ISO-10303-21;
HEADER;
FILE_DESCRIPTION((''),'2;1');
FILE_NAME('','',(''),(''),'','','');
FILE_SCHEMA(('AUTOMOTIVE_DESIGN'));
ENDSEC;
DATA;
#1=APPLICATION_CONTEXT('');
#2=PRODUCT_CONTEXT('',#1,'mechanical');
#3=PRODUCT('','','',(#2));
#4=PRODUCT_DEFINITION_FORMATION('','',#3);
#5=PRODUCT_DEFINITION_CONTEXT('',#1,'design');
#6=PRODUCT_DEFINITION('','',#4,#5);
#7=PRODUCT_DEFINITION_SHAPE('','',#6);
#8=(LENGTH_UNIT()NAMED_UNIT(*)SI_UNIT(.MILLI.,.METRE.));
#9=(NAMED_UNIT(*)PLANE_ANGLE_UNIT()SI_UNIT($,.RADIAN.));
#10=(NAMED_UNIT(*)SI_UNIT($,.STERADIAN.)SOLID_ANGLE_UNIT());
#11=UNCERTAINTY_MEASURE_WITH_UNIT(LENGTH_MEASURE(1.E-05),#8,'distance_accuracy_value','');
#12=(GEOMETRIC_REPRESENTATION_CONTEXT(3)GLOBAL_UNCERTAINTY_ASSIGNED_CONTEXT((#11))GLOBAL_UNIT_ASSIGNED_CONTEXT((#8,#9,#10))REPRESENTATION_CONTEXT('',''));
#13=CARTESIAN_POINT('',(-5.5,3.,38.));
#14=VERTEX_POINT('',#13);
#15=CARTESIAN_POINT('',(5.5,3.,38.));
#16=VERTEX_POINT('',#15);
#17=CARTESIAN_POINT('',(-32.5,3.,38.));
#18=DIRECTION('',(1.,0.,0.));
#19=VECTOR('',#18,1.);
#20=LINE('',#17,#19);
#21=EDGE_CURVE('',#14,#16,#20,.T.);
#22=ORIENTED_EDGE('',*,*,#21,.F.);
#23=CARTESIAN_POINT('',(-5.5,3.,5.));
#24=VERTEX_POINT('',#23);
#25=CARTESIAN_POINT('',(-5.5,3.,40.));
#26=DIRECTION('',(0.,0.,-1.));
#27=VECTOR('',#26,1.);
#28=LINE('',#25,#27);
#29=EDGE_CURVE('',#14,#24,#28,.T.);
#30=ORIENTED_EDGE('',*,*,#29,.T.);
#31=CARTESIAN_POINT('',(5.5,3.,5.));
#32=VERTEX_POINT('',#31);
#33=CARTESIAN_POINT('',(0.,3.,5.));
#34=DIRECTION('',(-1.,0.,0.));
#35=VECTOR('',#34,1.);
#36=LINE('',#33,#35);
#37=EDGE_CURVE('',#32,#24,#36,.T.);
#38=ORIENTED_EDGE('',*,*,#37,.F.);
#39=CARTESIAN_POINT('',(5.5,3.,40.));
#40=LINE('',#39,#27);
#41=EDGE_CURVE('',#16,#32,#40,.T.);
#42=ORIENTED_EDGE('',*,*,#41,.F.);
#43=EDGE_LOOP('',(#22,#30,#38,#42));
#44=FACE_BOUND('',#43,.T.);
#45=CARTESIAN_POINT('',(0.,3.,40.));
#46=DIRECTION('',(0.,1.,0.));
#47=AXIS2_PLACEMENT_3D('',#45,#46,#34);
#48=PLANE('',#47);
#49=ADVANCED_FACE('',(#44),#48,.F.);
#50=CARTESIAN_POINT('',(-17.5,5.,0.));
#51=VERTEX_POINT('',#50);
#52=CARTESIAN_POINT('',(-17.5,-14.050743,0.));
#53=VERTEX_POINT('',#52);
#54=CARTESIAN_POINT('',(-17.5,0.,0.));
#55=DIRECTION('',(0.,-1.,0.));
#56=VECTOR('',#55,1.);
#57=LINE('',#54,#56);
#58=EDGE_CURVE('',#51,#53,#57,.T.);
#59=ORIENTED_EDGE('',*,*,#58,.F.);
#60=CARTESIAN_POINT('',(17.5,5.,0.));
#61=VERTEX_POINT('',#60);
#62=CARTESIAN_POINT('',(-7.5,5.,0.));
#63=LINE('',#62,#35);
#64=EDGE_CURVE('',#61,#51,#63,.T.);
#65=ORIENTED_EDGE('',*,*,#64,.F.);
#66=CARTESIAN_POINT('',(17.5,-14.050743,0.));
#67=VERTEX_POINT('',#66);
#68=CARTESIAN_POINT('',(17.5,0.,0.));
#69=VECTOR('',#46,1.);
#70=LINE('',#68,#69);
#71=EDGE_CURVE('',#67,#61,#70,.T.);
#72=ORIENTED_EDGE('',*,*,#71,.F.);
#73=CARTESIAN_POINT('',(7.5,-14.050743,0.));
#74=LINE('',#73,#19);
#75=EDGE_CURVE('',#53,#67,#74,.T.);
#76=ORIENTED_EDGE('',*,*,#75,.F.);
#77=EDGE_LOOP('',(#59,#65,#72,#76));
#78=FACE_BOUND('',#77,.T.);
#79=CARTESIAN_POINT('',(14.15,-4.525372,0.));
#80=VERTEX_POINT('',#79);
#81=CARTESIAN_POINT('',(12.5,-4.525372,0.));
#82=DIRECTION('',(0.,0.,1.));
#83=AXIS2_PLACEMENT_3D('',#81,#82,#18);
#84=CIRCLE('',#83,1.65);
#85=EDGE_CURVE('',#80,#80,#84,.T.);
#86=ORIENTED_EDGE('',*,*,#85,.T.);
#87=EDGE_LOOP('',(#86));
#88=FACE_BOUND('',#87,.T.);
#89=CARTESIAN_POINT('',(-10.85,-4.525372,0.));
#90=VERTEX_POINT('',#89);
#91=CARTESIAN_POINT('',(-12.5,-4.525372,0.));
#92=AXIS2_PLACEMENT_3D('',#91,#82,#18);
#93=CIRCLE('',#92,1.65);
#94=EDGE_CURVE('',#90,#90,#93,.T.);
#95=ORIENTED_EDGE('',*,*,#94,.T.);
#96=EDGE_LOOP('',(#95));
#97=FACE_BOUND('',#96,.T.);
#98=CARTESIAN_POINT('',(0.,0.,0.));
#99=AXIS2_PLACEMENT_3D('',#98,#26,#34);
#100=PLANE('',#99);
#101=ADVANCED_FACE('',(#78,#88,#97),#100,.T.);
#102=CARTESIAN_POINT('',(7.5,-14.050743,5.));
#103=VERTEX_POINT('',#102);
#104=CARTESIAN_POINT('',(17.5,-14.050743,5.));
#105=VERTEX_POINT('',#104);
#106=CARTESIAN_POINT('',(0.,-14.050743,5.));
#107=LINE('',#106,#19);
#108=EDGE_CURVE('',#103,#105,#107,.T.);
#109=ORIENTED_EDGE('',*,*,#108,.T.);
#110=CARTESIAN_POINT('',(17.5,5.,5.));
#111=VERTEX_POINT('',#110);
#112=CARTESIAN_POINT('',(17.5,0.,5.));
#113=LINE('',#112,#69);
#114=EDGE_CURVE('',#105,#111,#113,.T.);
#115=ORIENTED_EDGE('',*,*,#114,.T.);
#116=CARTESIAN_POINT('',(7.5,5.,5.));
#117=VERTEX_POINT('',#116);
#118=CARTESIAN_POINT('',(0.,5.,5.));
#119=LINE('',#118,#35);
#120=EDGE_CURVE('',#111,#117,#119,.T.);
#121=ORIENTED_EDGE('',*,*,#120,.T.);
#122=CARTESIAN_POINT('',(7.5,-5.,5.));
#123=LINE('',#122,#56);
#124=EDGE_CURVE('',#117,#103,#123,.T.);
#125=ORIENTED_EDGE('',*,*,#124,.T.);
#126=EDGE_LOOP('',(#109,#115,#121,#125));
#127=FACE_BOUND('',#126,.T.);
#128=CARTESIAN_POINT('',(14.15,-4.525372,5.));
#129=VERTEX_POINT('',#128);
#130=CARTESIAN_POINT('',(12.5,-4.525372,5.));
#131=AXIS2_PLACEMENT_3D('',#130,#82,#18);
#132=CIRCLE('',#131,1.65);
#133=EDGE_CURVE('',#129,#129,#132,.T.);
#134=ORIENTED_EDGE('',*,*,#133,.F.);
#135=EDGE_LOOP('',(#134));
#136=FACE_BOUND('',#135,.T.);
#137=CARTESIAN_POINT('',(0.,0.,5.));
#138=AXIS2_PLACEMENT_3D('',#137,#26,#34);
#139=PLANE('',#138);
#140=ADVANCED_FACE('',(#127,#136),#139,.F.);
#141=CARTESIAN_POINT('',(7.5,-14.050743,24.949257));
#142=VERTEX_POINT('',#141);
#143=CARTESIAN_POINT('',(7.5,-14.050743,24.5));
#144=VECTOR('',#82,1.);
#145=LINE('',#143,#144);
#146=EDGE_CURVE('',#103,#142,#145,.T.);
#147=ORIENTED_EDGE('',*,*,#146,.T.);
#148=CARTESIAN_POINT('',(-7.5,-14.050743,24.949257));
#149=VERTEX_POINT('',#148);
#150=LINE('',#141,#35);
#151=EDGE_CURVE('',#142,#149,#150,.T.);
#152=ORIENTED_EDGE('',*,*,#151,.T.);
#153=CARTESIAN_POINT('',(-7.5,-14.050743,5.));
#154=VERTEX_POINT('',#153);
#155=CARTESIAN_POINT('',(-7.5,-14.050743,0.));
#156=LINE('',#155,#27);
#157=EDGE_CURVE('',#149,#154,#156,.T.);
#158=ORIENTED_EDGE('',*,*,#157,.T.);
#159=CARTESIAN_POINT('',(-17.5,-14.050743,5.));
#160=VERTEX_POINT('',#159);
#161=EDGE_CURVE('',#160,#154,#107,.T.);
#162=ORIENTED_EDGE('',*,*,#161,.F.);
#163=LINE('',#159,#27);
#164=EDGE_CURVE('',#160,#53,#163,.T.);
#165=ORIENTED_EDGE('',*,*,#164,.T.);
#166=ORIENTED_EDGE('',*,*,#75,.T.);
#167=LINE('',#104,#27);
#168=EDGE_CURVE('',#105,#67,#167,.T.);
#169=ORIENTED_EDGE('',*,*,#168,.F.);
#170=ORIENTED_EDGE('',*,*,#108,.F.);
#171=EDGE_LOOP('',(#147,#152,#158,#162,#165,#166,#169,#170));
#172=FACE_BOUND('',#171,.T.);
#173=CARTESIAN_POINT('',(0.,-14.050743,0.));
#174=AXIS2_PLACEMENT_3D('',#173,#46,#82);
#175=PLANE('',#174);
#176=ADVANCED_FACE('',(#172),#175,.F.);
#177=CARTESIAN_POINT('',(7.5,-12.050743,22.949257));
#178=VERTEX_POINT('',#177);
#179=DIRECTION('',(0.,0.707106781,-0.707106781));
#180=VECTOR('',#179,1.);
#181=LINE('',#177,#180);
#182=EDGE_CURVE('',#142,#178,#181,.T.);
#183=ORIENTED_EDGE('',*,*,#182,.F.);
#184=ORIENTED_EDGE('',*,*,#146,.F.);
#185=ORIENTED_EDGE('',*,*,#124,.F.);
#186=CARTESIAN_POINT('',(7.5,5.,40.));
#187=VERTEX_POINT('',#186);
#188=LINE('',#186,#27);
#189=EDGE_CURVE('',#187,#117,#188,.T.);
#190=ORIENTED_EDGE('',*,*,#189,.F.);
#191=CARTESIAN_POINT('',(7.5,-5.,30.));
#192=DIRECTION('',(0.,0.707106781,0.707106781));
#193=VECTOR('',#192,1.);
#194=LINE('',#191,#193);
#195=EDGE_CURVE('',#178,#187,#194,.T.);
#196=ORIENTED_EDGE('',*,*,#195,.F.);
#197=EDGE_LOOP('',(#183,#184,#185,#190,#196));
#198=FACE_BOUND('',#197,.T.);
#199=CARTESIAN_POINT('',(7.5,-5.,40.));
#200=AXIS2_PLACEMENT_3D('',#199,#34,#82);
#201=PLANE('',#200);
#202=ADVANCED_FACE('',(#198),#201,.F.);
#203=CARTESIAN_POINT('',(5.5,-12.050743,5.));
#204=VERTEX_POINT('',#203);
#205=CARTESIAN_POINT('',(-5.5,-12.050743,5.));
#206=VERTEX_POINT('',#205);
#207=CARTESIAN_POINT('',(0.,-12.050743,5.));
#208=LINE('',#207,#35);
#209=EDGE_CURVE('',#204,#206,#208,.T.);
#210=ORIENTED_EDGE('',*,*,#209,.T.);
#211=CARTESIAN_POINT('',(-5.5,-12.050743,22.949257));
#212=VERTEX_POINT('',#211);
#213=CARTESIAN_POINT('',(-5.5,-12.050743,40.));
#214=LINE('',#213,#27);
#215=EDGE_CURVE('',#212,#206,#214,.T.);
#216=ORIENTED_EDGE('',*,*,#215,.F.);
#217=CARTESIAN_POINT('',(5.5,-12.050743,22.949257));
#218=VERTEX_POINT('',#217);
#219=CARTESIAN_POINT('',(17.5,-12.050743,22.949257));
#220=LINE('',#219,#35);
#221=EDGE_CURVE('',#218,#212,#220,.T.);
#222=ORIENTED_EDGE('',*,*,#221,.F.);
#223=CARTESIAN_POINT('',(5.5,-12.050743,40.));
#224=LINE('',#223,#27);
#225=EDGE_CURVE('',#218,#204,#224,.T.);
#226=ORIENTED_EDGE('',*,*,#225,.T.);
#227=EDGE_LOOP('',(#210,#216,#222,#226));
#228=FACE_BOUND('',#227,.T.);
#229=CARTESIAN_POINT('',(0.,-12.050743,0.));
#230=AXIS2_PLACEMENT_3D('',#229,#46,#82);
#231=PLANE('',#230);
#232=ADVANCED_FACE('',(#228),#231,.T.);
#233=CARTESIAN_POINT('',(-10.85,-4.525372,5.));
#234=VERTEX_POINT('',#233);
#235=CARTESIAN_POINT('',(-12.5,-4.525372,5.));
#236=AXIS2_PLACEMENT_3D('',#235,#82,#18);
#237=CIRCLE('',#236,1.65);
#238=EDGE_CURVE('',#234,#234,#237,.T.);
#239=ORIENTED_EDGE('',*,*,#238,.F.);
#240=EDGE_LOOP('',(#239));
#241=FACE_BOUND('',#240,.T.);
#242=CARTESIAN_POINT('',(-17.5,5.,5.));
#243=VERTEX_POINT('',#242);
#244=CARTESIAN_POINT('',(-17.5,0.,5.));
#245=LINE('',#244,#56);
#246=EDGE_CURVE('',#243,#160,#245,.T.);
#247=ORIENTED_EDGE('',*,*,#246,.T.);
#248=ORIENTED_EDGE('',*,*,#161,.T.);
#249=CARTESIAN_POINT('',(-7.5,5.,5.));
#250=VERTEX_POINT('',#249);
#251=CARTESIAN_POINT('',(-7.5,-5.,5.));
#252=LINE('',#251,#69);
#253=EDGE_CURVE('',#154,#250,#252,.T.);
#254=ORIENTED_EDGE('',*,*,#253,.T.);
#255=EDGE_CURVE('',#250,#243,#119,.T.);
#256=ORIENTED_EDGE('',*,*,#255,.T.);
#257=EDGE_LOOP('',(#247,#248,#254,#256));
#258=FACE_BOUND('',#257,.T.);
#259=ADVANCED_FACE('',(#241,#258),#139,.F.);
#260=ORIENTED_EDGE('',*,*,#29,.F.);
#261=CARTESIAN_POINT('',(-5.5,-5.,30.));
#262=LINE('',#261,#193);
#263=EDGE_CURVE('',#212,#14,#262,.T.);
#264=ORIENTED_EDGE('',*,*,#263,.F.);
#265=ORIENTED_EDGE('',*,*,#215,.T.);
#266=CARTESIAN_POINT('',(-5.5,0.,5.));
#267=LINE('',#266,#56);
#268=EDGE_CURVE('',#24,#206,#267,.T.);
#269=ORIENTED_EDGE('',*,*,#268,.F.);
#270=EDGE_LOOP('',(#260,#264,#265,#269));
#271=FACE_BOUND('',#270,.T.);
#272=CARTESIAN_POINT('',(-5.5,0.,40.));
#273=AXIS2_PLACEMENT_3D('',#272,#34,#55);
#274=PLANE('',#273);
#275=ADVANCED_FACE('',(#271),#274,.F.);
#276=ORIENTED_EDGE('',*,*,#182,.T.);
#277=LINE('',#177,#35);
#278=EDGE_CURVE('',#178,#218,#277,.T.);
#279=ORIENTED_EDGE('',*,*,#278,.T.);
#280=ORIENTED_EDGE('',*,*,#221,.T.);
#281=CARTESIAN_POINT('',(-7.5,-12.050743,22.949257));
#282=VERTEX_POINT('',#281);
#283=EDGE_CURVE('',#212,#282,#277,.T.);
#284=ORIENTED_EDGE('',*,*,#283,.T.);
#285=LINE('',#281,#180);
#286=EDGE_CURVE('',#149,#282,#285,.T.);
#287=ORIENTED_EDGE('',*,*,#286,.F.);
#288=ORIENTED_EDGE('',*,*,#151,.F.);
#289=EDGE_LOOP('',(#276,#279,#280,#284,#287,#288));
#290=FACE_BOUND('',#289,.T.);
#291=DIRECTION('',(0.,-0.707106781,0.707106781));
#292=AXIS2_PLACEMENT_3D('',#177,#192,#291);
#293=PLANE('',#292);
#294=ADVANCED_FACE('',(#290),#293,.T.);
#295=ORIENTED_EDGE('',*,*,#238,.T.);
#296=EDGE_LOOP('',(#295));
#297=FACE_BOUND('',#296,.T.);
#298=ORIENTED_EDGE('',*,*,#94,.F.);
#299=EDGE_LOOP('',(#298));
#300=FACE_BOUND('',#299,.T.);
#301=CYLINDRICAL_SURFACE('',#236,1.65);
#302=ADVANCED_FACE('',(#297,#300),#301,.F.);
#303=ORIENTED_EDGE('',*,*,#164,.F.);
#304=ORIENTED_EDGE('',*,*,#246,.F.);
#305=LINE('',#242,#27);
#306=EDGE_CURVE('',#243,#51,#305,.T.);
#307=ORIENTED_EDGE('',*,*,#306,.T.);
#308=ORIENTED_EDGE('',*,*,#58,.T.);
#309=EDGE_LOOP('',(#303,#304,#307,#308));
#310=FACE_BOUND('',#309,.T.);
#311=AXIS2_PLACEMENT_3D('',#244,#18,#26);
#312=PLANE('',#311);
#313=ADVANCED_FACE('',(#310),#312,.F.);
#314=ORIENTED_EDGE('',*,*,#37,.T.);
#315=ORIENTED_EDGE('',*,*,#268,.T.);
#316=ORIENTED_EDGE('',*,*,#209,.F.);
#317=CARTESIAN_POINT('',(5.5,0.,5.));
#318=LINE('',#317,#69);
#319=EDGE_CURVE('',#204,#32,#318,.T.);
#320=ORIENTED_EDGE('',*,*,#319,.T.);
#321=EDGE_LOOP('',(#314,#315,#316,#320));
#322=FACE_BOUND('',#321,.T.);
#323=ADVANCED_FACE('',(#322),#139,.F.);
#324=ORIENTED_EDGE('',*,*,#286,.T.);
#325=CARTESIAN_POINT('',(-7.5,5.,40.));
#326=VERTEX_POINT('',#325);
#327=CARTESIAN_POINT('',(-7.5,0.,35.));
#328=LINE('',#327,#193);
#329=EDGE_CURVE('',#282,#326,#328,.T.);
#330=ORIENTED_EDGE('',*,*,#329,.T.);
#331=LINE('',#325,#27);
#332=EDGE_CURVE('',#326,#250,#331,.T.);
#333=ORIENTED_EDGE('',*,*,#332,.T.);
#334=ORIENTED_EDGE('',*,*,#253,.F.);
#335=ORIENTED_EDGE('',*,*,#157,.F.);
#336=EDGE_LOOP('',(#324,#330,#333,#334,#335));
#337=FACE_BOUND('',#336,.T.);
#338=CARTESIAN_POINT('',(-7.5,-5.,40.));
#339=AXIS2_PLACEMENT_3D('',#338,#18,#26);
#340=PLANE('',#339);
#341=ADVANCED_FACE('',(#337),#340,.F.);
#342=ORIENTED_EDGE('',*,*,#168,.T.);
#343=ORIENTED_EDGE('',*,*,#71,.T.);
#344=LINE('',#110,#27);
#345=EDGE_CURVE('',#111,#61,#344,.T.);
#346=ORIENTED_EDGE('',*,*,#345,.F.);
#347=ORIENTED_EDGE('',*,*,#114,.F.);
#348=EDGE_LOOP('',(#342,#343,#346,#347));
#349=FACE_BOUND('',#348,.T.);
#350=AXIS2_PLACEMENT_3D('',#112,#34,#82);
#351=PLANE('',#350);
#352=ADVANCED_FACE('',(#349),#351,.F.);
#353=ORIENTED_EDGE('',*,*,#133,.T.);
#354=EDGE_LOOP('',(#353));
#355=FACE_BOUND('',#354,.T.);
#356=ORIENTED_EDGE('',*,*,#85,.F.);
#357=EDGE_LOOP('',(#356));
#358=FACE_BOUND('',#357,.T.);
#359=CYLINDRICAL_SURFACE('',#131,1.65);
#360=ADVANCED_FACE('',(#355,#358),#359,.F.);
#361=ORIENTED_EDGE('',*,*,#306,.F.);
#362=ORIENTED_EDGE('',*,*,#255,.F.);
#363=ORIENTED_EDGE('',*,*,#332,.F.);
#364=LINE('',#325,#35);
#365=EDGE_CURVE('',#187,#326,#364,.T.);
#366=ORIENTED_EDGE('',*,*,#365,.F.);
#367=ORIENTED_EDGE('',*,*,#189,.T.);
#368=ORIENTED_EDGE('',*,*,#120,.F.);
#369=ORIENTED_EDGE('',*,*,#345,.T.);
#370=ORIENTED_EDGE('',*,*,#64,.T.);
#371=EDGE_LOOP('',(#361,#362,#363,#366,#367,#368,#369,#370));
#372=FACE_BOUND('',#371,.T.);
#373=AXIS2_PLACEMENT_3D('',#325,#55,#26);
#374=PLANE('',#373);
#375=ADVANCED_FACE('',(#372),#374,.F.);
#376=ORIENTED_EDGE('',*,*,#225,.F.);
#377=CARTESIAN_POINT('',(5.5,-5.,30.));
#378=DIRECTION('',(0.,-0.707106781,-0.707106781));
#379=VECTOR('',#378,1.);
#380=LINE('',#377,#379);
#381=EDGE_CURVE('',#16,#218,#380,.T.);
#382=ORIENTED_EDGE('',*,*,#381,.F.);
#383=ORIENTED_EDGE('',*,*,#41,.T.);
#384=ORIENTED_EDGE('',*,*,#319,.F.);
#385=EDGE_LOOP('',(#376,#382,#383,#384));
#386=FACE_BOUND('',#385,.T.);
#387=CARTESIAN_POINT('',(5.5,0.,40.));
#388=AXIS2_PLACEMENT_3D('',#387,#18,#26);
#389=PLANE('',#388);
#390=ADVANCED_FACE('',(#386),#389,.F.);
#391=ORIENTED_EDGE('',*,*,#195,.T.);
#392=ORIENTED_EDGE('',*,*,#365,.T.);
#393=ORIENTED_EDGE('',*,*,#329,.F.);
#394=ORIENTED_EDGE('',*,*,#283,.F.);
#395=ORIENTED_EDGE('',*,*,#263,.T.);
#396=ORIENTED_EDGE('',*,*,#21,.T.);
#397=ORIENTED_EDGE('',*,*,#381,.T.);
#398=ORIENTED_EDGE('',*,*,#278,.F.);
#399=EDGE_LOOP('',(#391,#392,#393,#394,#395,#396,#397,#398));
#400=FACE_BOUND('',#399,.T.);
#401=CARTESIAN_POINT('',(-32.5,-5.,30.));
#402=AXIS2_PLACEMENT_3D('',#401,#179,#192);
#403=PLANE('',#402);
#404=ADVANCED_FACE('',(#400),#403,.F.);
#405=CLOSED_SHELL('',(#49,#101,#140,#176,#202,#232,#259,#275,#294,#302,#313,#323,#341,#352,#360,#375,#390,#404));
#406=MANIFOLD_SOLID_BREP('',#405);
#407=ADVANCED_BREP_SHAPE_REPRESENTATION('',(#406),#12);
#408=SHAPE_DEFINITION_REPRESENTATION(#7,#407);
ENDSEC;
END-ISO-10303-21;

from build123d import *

# Parameters (mm, degrees)
SKETCH1_W             = 15
SKETCH1_H             = 10
BOSS_EXTRUDE1_DEPTH   = 40
CUT_EXTRUDE1_DEPTH    = 40
BOSS_EXTRUDE2_DEPTH   = 15
SKETCH4_W             = 15
SKETCH4_H             = 24.5
BOSS_EXTRUDE3_DEPTH   = 2
SKETCH5_W             = 11
SKETCH5_H             = 15.050743374
CUT_EXTRUDE2_DEPTH    = 44.054307443
SKETCH6_W             = 10
SKETCH6_H             = 19.050743374
SKETCH6_W_2           = 15
SKETCH6_W_3           = 11
SKETCH6_H_2           = 15.050743374
BOSS_EXTRUDE4_DEPTH   = 5
M4X0_7_TAPPED_HOLE1_D = 3.3
M4X0_7_TAPPED_HOLE2_D = 3.3
CUT_EXTRUDE3_DEPTH    = 50.218120539
BOSS_EXTRUDE5_DEPTH   = 15


with BuildPart() as part:
    # Sketch1 → Boss-Extrude1 (new body)
    with BuildSketch(Plane.XY):
        Rectangle(SKETCH1_W, SKETCH1_H)
    extrude(amount=BOSS_EXTRUDE1_DEPTH)

    # Sketch2 → Cut-Extrude1 (cut)
    with BuildSketch(Plane(origin=(7.5, 0, 0), x_dir=(0, 0, -1), z_dir=(1, 0, 0))):
        Polygon((-40, 5), (-40, -5), (-30, -5), align=None)
    extrude(amount=-CUT_EXTRUDE1_DEPTH, mode=Mode.SUBTRACT)

    # Sketch3 → Boss-Extrude2 (add, through all)
    with BuildSketch(Plane.ZY.offset(7.5)):
        Polygon((0, -12.050743374), (0, -5), (30, -5), (25.477447389, -9.522552611), (22.949256626, -12.050743374), align=None)
    extrude(amount=-BOSS_EXTRUDE2_DEPTH)

    # Sketch4 → Boss-Extrude3 (add)
    with BuildSketch(Plane(origin=(0, -12.050743374, 0), x_dir=(-1, 0, 0), z_dir=(0, -1, 0))):
        with Locations((0, -12.25)):
            Rectangle(SKETCH4_W, SKETCH4_H)
    extrude(amount=BOSS_EXTRUDE3_DEPTH)

    # Sketch5 → Cut-Extrude2 (cut, through all)
    with BuildSketch(Plane(origin=(0, 0, 0), x_dir=(-1, 0, 0), z_dir=(0, 0, -1))):
        with Locations((0, -4.525371687)):
            Rectangle(SKETCH5_W, SKETCH5_H)
    extrude(amount=-CUT_EXTRUDE2_DEPTH, mode=Mode.SUBTRACT)

    # Sketch6 → Boss-Extrude4 (add)
    # profile 1 of 4: a face of its own
    with BuildSketch(Plane(origin=(0, 0, 0), x_dir=(-1, 0, 0), z_dir=(0, 0, -1))):
        with Locations((-12.5, -4.525371687)):
            Rectangle(SKETCH6_W, SKETCH6_H)
    # profile 2 of 4: a face of its own
    with BuildSketch(Plane(origin=(0, 0, 0), x_dir=(-1, 0, 0), z_dir=(0, 0, -1))):
        with Locations((12.5, -4.525371687)):
            Rectangle(SKETCH6_W, SKETCH6_H)
    # profile 3 of 4: a face of its own
    with BuildSketch(Plane(origin=(0, 0, 0), x_dir=(-1, 0, 0), z_dir=(0, 0, -1))):
        with Locations((0, -4.525371687)):
            Rectangle(SKETCH6_W_2, SKETCH6_H)
        with Locations((0, -4.525371687)):
            Rectangle(SKETCH6_W_3, SKETCH6_H_2, mode=Mode.SUBTRACT)
    # profile 4 of 4: a face of its own
    with BuildSketch(Plane(origin=(0, 0, 0), x_dir=(-1, 0, 0), z_dir=(0, 0, -1))):
        with Locations((0, -4.525371687)):
            Rectangle(SKETCH6_W_3, SKETCH6_H_2)
    extrude(amount=-BOSS_EXTRUDE4_DEPTH)

    # M4x0.7 Tapped Hole1 (through all)
    with Locations(Plane.XY.offset(5)):
        with Locations((-12.5, -4.525371687)):
            Hole(M4X0_7_TAPPED_HOLE1_D / 2)

    # M4x0.7 Tapped Hole2 (through all)
    with Locations(Plane.XY.offset(5)):
        with Locations((12.5, -4.525371687)):
            Hole(M4X0_7_TAPPED_HOLE2_D / 2)

    # Sketch13 → Cut-Extrude3 (cut, through all)
    with BuildSketch(Plane.ZY.offset(7.5)):
        Polygon((22.949256626, -12.050743374), (24.5, -14.050743374), (24.5, -12.050743374), align=None)
    extrude(amount=-CUT_EXTRUDE3_DEPTH, mode=Mode.SUBTRACT)

    # Sketch14 → Boss-Extrude5 (add)
    with BuildSketch(Plane.ZY.offset(7.5)):
        Polygon((22.949256626, -12.050743374), (22.949256626, -14.050743374), (24.949256626, -14.050743374), align=None)
    extrude(amount=-BOSS_EXTRUDE5_DEPTH)


solid = part.part
